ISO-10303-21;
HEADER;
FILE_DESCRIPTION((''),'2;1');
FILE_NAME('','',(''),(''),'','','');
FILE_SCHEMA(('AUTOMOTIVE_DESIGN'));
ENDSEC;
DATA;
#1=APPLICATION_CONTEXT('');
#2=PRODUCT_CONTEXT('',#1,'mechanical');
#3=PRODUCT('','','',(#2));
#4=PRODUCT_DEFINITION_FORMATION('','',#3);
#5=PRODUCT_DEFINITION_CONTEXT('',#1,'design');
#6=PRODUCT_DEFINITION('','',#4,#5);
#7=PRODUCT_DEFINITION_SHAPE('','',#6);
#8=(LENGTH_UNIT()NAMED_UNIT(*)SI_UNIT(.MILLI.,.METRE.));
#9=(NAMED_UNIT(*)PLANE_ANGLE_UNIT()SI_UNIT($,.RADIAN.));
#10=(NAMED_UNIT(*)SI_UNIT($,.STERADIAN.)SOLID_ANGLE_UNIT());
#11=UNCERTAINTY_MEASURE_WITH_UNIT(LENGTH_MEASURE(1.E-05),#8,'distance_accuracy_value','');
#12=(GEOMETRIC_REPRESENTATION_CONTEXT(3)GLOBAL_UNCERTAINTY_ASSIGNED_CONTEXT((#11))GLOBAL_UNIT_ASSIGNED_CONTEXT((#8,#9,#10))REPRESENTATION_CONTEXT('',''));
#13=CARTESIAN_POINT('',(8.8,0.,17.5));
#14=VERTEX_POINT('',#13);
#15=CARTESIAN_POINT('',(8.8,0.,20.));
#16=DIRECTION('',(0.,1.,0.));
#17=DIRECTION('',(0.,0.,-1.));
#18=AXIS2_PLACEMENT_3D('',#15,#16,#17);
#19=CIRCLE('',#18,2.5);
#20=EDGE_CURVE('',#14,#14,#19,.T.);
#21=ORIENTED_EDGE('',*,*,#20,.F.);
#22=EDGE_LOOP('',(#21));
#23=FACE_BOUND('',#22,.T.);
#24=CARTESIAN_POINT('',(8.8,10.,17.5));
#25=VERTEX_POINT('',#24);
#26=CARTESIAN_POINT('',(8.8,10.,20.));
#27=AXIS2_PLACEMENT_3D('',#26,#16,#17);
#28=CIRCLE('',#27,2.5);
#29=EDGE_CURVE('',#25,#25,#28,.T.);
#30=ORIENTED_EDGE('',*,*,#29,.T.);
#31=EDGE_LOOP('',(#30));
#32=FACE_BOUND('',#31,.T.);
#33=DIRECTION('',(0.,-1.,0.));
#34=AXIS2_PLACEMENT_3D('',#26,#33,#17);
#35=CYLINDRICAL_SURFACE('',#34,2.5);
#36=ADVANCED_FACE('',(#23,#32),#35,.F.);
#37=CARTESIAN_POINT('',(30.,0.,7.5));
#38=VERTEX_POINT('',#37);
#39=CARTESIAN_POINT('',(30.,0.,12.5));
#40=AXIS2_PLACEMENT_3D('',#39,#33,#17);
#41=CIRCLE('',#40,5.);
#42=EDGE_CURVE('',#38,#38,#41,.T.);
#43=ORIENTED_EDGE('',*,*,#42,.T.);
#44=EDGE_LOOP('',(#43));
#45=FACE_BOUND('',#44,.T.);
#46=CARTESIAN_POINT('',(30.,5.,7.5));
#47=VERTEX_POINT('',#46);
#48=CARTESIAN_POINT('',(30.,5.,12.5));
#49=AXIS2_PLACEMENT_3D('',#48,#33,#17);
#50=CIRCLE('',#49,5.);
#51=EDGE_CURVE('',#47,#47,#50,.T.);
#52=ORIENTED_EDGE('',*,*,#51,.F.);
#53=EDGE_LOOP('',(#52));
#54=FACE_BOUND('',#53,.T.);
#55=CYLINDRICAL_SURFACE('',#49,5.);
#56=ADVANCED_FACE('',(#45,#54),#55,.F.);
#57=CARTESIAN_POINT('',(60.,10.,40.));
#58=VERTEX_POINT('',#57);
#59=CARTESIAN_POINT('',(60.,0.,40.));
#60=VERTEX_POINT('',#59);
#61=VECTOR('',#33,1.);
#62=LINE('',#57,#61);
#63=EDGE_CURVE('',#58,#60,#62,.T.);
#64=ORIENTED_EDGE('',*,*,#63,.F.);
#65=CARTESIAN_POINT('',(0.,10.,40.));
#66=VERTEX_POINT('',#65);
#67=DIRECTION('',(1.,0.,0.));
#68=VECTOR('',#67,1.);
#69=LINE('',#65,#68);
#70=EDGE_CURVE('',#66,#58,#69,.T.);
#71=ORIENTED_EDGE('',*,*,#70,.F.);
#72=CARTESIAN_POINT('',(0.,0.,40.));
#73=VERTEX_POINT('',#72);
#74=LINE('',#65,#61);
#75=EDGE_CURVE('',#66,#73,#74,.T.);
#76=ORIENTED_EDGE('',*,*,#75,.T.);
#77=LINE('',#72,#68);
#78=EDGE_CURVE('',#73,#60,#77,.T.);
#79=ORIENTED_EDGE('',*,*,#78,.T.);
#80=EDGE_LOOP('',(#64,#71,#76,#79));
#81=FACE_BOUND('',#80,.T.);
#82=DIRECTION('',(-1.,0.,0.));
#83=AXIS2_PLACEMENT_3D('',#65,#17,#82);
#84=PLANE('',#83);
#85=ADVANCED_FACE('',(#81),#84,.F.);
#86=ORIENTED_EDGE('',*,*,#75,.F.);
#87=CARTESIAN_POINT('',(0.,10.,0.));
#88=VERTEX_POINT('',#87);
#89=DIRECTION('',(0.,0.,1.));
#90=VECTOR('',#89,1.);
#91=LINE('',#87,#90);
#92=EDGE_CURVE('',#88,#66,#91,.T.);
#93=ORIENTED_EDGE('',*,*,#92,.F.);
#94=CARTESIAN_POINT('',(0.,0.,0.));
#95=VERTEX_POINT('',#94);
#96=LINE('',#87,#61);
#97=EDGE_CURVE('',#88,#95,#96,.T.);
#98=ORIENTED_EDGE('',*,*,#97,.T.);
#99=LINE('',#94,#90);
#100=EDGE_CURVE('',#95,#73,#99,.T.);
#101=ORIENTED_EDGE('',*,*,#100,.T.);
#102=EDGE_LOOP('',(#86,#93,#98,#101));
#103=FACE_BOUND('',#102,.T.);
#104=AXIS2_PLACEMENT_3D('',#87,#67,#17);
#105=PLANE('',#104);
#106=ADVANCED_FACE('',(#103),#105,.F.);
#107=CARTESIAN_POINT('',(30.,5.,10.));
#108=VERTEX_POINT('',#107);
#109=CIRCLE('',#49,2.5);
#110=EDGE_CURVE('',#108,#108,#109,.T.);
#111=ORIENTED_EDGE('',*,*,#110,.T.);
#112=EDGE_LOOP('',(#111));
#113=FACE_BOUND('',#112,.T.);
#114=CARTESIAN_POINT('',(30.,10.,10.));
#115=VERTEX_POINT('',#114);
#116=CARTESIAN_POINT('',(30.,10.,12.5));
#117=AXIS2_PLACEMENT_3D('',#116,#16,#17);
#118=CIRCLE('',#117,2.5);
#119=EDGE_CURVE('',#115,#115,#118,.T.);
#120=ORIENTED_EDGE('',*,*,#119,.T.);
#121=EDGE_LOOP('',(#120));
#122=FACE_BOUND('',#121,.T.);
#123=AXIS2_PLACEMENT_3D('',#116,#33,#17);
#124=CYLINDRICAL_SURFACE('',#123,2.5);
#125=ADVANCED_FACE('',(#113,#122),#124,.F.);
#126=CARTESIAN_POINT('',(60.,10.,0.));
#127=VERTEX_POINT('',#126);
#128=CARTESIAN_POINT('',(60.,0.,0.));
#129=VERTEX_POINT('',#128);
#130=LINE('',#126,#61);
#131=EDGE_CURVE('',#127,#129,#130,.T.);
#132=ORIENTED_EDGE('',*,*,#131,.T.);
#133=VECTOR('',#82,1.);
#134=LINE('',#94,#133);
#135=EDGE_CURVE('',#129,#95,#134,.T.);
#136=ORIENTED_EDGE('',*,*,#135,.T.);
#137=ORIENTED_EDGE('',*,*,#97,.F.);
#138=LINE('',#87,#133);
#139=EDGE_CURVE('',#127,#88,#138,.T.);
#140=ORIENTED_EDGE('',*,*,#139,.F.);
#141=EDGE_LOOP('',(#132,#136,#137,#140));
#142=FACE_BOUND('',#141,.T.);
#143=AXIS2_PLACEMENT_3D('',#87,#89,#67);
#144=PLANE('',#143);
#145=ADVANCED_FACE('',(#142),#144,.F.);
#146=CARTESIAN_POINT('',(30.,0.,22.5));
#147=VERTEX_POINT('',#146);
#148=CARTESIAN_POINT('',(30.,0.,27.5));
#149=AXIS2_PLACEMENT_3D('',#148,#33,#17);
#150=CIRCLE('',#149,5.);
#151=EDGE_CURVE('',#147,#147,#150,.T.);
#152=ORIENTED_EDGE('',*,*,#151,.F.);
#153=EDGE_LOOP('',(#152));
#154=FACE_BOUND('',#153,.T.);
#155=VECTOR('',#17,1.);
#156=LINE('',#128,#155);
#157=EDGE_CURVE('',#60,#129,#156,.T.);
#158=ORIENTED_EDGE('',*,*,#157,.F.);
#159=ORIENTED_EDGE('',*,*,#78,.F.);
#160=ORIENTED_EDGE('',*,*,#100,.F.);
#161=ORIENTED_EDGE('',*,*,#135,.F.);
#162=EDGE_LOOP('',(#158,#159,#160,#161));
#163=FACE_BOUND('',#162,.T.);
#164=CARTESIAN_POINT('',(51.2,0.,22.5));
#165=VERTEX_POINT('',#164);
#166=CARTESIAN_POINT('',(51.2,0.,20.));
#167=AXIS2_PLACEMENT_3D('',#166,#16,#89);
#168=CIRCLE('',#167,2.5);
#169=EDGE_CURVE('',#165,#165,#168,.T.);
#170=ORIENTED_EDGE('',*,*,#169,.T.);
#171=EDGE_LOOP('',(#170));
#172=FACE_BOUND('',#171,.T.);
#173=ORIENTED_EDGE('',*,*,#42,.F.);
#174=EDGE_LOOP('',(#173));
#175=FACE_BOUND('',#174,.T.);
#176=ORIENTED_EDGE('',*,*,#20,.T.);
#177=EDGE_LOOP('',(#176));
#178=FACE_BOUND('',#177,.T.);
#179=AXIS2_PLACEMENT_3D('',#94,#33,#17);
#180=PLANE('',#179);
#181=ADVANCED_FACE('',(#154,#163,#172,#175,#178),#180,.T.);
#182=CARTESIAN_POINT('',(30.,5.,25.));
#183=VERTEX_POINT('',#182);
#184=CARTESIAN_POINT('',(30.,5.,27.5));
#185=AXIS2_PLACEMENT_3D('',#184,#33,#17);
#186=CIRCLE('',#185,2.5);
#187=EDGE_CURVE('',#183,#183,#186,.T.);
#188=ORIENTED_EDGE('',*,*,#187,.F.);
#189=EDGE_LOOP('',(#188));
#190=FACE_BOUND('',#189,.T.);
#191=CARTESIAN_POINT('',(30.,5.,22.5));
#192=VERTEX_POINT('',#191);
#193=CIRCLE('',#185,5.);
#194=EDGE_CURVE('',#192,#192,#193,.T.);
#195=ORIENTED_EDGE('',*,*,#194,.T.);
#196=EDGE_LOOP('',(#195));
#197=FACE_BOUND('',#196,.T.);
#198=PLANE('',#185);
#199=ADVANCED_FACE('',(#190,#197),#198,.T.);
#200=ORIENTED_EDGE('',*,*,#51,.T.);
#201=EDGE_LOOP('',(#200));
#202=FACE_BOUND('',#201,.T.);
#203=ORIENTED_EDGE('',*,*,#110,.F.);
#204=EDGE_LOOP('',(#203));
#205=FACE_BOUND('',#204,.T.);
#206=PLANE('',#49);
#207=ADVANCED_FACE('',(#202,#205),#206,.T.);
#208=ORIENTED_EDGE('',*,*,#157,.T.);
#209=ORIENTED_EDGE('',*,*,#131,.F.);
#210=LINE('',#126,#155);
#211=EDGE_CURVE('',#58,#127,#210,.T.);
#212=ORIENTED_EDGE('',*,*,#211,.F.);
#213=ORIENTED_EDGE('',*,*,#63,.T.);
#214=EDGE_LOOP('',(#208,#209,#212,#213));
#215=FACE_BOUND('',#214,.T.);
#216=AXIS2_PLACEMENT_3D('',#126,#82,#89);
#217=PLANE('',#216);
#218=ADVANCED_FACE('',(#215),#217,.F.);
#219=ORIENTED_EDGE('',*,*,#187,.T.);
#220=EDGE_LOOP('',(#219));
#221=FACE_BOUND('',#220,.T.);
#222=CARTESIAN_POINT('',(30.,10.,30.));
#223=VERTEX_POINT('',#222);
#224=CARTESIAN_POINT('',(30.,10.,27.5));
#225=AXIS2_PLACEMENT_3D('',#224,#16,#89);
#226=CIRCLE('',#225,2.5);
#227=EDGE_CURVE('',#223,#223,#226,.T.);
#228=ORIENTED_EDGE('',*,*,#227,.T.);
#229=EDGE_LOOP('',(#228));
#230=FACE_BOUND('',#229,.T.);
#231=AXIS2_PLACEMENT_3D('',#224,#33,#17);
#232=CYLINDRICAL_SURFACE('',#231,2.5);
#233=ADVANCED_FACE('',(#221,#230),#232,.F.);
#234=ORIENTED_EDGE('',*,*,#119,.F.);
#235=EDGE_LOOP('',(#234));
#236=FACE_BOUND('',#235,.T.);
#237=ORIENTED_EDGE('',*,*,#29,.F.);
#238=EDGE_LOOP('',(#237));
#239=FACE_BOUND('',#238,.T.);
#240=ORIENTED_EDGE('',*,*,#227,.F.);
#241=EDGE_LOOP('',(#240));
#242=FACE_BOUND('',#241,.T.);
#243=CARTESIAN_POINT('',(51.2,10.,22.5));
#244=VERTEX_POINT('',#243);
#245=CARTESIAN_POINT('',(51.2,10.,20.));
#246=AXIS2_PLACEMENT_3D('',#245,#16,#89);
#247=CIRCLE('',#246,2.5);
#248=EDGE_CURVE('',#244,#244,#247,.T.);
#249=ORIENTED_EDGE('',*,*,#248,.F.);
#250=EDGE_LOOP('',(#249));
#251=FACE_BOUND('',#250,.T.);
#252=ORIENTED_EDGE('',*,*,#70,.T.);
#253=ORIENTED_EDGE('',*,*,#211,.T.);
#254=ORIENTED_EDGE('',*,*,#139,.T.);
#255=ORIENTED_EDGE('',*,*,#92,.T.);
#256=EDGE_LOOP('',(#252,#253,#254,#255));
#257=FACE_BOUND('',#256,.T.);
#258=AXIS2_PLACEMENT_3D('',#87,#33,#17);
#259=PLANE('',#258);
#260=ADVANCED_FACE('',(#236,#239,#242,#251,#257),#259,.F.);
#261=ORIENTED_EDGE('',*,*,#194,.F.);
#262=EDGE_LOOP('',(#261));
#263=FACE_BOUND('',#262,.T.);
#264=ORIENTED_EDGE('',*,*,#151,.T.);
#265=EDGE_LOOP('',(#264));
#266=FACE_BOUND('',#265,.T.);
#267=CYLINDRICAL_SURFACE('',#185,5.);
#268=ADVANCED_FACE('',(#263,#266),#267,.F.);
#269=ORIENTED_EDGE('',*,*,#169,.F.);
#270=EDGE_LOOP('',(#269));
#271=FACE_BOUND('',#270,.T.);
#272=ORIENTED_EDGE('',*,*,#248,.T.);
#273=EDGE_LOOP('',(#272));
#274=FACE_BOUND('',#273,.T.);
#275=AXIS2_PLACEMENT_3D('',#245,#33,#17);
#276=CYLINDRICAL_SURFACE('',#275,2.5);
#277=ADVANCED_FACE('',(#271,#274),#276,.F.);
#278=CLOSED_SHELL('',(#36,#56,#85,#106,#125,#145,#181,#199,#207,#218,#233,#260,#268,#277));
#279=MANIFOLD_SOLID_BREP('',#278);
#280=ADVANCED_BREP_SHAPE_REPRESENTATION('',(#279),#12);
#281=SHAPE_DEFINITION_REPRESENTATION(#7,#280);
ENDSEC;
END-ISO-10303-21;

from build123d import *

# Parameters (mm, degrees)
SKETCH1_W           = 60
SKETCH1_H           = 40
SKETCH1_R           = 2.5
BOSS_EXTRUDE1_DEPTH = 10
SKETCH4_R           = 5
CUT_EXTRUDE1_DEPTH  = 5


with BuildPart() as part:
    # Sketch1 → Boss-Extrude1 (new body)
    with BuildSketch(Plane(origin=(0, 0, 0), x_dir=(1, 0, 0), z_dir=(0, 1, 0))):
        with Locations((30, -20)):
            Rectangle(SKETCH1_W, SKETCH1_H)
        with Locations(Location((51.2, -20, 0), (0, 0, 270))):
            Circle(SKETCH1_R, mode=Mode.SUBTRACT)
        with Locations(Location((8.8, -20, 0), (0, 0, 90))):
            Circle(SKETCH1_R, mode=Mode.SUBTRACT)
        with Locations(Location((30, -27.5, 0), (0, 0, 270))):
            Circle(SKETCH1_R, mode=Mode.SUBTRACT)
        with Locations(Location((30, -12.5, 0), (0, 0, 90))):
            Circle(SKETCH1_R, mode=Mode.SUBTRACT)
    extrude(amount=BOSS_EXTRUDE1_DEPTH)

    # Sketch4 → Cut-Extrude1 (cut)
    with BuildSketch(Plane.XZ):
        with Locations(Location((30, 27.5, 0), (0, 0, 270))):
            Circle(SKETCH4_R)
        with Locations(Location((30, 12.5, 0), (0, 0, 270))):
            Circle(SKETCH4_R)
    extrude(amount=-CUT_EXTRUDE1_DEPTH, mode=Mode.SUBTRACT)


solid = part.part
